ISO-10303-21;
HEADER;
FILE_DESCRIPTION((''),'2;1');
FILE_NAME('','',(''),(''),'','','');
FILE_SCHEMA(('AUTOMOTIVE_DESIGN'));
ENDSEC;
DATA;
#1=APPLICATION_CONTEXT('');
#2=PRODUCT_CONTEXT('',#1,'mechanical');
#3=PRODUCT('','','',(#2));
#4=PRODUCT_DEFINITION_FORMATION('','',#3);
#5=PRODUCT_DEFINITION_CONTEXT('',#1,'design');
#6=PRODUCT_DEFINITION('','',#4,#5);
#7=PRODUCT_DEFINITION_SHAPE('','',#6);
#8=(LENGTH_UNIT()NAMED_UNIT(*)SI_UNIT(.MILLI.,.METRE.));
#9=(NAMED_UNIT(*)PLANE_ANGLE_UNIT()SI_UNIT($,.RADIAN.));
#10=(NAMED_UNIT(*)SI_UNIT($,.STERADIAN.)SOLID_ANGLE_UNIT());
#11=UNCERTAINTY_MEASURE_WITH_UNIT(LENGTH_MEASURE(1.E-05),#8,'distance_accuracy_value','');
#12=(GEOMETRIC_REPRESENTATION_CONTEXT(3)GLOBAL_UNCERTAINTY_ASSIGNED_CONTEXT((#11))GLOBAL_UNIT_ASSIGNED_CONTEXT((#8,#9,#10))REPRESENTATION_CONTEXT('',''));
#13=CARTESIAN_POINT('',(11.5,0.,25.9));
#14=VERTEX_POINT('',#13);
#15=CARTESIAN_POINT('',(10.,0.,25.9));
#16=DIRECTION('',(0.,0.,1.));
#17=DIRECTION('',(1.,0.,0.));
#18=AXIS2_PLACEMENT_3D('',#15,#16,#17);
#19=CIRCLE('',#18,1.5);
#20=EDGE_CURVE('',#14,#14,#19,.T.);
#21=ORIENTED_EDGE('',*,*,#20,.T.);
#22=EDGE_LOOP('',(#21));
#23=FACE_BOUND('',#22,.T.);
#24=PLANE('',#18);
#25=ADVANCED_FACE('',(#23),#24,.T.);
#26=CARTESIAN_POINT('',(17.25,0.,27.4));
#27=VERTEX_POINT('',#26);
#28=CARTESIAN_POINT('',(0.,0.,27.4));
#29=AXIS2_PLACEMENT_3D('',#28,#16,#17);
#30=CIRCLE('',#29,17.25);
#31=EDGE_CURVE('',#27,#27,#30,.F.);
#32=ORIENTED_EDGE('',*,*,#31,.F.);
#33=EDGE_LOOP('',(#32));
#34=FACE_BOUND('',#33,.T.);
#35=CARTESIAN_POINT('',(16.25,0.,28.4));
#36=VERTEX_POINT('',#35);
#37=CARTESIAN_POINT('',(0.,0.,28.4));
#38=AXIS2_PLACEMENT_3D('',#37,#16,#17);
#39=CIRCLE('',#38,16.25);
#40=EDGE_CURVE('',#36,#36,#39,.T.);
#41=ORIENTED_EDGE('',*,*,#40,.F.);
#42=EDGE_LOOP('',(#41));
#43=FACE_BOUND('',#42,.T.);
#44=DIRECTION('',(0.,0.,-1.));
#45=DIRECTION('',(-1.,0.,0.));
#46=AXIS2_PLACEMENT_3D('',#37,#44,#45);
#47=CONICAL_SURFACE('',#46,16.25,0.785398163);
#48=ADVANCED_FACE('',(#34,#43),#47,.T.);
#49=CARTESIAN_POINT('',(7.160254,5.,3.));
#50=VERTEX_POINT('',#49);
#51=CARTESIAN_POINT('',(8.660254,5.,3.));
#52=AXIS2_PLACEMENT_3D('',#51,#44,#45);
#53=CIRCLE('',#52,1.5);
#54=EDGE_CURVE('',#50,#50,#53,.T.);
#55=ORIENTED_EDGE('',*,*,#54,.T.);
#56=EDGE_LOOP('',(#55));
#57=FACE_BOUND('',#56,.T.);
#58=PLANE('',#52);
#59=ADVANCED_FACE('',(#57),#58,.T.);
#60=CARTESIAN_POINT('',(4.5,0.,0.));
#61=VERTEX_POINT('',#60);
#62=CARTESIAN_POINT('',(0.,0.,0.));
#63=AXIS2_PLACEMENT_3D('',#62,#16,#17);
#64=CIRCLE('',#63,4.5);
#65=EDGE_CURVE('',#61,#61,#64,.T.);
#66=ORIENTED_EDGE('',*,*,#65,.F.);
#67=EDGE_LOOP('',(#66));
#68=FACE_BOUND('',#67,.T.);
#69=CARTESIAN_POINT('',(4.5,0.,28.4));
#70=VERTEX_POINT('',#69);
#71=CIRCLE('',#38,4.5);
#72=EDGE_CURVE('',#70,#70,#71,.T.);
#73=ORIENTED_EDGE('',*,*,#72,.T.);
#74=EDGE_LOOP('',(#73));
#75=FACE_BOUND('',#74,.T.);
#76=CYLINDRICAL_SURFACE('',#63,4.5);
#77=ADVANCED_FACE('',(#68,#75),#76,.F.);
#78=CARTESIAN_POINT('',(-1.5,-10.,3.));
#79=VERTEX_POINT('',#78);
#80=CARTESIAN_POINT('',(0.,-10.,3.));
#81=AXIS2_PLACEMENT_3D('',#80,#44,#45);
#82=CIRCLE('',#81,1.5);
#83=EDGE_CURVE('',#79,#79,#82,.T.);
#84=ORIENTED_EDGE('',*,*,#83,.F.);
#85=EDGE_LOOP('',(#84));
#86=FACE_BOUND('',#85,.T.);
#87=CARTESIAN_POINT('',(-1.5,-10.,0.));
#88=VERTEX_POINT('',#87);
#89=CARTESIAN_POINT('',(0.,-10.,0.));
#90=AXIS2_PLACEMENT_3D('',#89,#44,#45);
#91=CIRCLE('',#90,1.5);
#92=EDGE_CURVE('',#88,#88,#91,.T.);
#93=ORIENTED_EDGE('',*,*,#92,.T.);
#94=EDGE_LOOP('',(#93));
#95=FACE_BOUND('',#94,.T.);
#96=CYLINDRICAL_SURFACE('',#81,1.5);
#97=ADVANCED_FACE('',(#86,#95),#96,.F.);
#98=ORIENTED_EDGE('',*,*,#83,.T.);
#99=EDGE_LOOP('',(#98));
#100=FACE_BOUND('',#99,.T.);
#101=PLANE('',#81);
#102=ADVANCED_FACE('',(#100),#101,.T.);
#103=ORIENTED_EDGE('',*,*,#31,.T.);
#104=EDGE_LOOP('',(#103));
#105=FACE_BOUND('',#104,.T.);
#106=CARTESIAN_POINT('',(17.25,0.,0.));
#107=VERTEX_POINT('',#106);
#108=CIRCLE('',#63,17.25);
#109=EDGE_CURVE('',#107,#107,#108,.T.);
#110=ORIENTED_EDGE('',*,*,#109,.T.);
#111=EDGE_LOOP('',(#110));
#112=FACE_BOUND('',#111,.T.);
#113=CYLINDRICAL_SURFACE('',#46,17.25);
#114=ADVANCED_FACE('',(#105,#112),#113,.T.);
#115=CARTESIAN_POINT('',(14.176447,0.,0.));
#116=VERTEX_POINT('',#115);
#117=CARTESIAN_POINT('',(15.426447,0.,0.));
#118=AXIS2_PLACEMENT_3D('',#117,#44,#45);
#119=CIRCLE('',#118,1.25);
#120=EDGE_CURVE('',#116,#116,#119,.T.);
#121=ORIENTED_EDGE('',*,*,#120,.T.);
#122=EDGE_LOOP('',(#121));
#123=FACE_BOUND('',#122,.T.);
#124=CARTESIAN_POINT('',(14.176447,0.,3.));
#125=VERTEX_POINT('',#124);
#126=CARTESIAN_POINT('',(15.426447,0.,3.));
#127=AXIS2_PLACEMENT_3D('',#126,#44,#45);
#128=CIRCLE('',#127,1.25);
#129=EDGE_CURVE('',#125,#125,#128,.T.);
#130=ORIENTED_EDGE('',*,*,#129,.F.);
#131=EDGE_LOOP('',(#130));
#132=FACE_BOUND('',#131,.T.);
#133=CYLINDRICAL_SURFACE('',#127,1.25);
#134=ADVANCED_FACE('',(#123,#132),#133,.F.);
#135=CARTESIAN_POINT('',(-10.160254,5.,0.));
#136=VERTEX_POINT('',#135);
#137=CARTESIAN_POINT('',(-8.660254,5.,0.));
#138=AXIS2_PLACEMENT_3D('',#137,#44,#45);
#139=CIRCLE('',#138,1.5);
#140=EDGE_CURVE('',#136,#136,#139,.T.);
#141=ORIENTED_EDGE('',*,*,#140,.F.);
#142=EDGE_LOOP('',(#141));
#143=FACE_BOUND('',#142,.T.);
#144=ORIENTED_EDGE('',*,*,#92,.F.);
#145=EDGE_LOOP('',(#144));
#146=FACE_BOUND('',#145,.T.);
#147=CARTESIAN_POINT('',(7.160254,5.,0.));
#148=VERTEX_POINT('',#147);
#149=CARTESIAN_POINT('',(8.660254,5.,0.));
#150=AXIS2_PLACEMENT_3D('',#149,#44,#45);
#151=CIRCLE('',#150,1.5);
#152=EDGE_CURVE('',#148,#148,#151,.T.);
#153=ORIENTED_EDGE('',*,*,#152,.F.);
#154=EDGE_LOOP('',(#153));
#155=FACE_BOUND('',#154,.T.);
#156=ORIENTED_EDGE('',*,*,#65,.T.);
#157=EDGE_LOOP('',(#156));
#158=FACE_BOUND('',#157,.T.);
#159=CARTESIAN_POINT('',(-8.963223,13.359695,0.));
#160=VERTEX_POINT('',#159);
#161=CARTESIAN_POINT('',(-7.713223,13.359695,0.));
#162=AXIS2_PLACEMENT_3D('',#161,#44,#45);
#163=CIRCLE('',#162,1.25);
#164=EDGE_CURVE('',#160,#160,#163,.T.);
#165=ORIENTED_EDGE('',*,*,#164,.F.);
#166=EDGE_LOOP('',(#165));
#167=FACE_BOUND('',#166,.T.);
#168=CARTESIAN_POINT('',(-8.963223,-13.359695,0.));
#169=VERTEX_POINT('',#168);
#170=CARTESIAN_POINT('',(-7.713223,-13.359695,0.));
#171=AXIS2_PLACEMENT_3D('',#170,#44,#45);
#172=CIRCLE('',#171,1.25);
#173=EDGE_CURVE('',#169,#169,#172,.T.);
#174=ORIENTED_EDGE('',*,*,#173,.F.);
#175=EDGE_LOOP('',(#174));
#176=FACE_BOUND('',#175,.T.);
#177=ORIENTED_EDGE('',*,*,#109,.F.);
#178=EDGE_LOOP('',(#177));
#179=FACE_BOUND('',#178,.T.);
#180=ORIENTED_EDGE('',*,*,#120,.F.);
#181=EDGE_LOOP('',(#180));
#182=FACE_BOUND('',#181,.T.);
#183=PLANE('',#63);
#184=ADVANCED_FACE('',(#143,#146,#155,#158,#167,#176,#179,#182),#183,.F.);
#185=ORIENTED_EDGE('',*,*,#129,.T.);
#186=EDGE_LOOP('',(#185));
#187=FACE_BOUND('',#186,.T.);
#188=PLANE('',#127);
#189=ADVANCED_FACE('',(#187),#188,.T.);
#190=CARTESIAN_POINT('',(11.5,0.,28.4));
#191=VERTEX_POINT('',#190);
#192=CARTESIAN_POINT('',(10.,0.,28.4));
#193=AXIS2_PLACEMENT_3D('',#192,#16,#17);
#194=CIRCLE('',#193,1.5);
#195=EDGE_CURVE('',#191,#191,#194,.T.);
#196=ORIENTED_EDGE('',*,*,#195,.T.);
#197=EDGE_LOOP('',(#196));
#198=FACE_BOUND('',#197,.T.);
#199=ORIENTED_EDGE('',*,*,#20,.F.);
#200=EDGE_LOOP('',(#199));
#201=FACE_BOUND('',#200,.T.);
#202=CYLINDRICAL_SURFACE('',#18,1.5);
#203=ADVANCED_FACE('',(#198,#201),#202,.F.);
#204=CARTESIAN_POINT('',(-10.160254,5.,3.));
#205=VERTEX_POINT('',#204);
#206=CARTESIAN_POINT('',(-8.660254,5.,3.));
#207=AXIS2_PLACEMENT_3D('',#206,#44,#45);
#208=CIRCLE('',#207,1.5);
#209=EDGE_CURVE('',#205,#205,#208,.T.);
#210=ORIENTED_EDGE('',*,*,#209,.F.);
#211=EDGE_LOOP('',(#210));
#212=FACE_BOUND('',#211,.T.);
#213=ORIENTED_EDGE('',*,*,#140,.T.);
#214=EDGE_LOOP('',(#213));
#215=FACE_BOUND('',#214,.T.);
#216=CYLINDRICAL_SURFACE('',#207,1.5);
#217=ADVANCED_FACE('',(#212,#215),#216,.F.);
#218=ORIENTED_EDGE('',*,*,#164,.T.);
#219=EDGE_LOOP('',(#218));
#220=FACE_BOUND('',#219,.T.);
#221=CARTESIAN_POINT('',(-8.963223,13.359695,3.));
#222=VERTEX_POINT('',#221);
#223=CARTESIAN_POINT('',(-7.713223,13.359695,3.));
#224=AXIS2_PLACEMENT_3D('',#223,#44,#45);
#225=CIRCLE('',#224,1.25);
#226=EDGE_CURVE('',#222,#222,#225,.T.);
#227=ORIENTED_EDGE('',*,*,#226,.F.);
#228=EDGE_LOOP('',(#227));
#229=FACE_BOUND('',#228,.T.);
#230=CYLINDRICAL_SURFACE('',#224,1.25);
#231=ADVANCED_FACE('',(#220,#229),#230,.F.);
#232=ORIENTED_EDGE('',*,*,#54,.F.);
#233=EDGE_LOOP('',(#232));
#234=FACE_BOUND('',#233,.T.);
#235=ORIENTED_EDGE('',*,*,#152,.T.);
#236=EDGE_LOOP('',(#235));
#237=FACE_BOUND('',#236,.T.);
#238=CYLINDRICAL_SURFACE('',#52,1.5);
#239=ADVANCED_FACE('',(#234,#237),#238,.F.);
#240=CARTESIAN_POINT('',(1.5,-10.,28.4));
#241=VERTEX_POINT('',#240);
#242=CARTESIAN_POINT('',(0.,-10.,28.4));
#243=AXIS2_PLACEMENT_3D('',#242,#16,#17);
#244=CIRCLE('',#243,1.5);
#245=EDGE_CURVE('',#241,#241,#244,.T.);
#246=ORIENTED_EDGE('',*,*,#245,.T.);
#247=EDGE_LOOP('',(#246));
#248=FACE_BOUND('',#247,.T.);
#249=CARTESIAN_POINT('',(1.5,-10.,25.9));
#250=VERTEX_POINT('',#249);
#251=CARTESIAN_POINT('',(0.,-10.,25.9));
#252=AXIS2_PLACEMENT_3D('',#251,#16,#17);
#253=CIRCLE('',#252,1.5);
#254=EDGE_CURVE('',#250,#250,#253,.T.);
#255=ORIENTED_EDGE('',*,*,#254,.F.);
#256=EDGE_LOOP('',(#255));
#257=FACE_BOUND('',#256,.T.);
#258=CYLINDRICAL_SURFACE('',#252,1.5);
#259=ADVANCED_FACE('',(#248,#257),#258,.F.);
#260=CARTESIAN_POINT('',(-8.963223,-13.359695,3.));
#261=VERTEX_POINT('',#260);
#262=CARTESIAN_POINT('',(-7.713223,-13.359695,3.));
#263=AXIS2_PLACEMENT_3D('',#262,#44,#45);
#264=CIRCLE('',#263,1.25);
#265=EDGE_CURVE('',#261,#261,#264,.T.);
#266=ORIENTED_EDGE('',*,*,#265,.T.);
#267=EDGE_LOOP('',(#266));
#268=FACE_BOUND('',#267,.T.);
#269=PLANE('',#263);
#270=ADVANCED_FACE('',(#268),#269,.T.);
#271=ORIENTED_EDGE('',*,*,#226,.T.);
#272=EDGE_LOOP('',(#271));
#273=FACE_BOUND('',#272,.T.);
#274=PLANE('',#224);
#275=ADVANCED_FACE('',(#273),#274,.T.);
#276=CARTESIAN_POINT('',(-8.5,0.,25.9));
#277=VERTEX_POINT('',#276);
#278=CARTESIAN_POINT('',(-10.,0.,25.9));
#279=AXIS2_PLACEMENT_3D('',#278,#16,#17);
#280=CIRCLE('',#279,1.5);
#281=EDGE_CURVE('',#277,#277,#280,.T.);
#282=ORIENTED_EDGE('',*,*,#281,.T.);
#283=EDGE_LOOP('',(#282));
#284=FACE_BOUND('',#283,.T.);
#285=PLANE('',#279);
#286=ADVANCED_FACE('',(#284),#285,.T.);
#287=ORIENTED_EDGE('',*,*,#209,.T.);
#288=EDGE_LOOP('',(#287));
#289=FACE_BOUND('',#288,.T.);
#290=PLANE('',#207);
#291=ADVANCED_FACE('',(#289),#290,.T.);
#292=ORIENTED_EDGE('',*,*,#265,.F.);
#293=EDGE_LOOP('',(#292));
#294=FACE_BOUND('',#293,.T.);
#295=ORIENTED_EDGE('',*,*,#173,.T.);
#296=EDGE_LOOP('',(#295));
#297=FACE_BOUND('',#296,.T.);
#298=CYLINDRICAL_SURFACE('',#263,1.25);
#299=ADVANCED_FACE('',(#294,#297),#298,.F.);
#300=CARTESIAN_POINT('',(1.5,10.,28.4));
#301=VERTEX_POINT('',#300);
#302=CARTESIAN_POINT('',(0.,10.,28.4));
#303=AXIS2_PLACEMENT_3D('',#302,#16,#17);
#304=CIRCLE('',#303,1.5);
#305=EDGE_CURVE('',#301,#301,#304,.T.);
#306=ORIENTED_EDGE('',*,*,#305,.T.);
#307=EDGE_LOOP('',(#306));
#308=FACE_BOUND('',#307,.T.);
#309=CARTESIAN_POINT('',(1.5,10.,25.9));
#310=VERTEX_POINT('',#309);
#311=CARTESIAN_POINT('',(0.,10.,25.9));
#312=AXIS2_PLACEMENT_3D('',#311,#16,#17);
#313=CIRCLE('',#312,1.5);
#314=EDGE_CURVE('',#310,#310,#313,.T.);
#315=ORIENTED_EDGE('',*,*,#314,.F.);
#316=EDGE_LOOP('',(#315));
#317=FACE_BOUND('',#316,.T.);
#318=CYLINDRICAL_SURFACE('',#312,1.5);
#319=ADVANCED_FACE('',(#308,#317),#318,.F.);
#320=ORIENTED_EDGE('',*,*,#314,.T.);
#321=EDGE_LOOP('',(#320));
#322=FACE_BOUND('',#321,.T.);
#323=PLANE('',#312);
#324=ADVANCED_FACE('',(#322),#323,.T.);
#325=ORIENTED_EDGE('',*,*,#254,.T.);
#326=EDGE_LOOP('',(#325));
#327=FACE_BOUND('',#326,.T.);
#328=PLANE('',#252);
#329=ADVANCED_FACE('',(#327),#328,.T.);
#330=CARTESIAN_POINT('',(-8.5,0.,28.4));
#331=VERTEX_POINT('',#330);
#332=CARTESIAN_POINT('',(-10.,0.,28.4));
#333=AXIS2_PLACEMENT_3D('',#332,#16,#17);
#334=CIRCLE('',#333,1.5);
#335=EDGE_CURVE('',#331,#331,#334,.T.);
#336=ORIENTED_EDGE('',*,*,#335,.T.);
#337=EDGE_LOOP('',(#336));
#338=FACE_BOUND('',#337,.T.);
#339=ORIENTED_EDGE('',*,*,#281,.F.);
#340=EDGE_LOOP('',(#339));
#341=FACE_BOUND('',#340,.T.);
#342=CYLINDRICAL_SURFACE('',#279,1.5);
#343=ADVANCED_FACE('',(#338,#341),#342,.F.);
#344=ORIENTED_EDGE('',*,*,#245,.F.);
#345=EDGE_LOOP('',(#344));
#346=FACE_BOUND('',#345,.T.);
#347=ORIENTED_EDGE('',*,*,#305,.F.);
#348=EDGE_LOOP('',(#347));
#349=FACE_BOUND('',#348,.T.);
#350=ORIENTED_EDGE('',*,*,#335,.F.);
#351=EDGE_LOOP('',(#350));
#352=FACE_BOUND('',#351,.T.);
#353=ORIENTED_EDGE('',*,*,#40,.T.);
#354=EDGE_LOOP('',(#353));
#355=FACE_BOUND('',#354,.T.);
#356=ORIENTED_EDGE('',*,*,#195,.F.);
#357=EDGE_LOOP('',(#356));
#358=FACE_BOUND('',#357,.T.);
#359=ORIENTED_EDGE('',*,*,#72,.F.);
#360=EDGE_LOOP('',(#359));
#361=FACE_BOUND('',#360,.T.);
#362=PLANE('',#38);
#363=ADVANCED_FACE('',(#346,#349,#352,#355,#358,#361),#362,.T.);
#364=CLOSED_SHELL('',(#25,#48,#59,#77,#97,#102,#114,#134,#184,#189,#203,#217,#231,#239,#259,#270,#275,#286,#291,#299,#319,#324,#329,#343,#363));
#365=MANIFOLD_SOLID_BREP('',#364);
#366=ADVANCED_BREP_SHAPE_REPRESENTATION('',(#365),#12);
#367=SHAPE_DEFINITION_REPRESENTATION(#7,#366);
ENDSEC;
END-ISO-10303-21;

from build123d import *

# Parameters (mm, degrees)
ESQUISSE1_R             = 17.25
BOSS_EXTRU_1_DEPTH      = 28.4
CHANFREIN1_SIZE         = 1
ESQUISSE2_R             = 1.5
ESQUISSE2_R_2           = 1.25
ENL_V_MAT_EXTRU_1_DEPTH = 3
ENL_V_START             = -2.5
ESQUISSE3_R             = 1.5
ENL_V_MAT_EXTRU_2_DEPTH = 2.5
ESQUISSE4_R             = 4.5
ENL_V_MAT_EXTRU_4_DEPTH = 38.439083856


with BuildPart() as part:
    # Esquisse1 → Boss.-Extru.1 (new body)
    with BuildSketch(Plane.XY):
        Circle(ESQUISSE1_R)
    extrude(amount=BOSS_EXTRU_1_DEPTH)

    # Chanfrein1
    chanfrein1_edges = [part.edges().sort_by_distance(p)[0] for p in [
        (-17.25, 0, 28.4),
    ]]
    chamfer(chanfrein1_edges, length=CHANFREIN1_SIZE)

    # Esquisse2 → Enlèv. mat.-Extru.1 (cut)
    with BuildSketch(Plane(origin=(0, 0, 0), x_dir=(-1, 0, 0), z_dir=(0, 0, -1))):
        with Locations((8.660254038, 5)):
            Circle(ESQUISSE2_R)
        with Locations((0, -10)):
            Circle(ESQUISSE2_R)
        with Locations((-8.660254038, 5)):
            Circle(ESQUISSE2_R)
        with Locations((7.713223432, 13.359694875)):
            Circle(ESQUISSE2_R_2)
        with Locations((7.713223432, -13.359694875)):
            Circle(ESQUISSE2_R_2)
        with Locations((-15.426446864, 0)):
            Circle(ESQUISSE2_R_2)
    extrude(amount=-ENL_V_MAT_EXTRU_1_DEPTH, mode=Mode.SUBTRACT)

    # Esquisse3 → Enlèv. mat.-Extru.2 (cut)
    with BuildSketch(Plane.XY.offset(28.4).offset(ENL_V_START)):
        with Locations((0, 10)):
            Circle(ESQUISSE3_R)
        with Locations((10, 0)):
            Circle(ESQUISSE3_R)
        with Locations(Location((0, -10, 0), (0, 0, 180))):
            Circle(ESQUISSE3_R)
        with Locations((-10, 0)):
            Circle(ESQUISSE3_R)
    extrude(amount=ENL_V_MAT_EXTRU_2_DEPTH, mode=Mode.SUBTRACT)

    # Esquisse4 → Enlèv. mat.-Extru.4 (cut, through all)
    with BuildSketch(Plane.XY.offset(28.4)):
        Circle(ESQUISSE4_R)
    extrude(amount=-ENL_V_MAT_EXTRU_4_DEPTH, mode=Mode.SUBTRACT)


solid = part.part
